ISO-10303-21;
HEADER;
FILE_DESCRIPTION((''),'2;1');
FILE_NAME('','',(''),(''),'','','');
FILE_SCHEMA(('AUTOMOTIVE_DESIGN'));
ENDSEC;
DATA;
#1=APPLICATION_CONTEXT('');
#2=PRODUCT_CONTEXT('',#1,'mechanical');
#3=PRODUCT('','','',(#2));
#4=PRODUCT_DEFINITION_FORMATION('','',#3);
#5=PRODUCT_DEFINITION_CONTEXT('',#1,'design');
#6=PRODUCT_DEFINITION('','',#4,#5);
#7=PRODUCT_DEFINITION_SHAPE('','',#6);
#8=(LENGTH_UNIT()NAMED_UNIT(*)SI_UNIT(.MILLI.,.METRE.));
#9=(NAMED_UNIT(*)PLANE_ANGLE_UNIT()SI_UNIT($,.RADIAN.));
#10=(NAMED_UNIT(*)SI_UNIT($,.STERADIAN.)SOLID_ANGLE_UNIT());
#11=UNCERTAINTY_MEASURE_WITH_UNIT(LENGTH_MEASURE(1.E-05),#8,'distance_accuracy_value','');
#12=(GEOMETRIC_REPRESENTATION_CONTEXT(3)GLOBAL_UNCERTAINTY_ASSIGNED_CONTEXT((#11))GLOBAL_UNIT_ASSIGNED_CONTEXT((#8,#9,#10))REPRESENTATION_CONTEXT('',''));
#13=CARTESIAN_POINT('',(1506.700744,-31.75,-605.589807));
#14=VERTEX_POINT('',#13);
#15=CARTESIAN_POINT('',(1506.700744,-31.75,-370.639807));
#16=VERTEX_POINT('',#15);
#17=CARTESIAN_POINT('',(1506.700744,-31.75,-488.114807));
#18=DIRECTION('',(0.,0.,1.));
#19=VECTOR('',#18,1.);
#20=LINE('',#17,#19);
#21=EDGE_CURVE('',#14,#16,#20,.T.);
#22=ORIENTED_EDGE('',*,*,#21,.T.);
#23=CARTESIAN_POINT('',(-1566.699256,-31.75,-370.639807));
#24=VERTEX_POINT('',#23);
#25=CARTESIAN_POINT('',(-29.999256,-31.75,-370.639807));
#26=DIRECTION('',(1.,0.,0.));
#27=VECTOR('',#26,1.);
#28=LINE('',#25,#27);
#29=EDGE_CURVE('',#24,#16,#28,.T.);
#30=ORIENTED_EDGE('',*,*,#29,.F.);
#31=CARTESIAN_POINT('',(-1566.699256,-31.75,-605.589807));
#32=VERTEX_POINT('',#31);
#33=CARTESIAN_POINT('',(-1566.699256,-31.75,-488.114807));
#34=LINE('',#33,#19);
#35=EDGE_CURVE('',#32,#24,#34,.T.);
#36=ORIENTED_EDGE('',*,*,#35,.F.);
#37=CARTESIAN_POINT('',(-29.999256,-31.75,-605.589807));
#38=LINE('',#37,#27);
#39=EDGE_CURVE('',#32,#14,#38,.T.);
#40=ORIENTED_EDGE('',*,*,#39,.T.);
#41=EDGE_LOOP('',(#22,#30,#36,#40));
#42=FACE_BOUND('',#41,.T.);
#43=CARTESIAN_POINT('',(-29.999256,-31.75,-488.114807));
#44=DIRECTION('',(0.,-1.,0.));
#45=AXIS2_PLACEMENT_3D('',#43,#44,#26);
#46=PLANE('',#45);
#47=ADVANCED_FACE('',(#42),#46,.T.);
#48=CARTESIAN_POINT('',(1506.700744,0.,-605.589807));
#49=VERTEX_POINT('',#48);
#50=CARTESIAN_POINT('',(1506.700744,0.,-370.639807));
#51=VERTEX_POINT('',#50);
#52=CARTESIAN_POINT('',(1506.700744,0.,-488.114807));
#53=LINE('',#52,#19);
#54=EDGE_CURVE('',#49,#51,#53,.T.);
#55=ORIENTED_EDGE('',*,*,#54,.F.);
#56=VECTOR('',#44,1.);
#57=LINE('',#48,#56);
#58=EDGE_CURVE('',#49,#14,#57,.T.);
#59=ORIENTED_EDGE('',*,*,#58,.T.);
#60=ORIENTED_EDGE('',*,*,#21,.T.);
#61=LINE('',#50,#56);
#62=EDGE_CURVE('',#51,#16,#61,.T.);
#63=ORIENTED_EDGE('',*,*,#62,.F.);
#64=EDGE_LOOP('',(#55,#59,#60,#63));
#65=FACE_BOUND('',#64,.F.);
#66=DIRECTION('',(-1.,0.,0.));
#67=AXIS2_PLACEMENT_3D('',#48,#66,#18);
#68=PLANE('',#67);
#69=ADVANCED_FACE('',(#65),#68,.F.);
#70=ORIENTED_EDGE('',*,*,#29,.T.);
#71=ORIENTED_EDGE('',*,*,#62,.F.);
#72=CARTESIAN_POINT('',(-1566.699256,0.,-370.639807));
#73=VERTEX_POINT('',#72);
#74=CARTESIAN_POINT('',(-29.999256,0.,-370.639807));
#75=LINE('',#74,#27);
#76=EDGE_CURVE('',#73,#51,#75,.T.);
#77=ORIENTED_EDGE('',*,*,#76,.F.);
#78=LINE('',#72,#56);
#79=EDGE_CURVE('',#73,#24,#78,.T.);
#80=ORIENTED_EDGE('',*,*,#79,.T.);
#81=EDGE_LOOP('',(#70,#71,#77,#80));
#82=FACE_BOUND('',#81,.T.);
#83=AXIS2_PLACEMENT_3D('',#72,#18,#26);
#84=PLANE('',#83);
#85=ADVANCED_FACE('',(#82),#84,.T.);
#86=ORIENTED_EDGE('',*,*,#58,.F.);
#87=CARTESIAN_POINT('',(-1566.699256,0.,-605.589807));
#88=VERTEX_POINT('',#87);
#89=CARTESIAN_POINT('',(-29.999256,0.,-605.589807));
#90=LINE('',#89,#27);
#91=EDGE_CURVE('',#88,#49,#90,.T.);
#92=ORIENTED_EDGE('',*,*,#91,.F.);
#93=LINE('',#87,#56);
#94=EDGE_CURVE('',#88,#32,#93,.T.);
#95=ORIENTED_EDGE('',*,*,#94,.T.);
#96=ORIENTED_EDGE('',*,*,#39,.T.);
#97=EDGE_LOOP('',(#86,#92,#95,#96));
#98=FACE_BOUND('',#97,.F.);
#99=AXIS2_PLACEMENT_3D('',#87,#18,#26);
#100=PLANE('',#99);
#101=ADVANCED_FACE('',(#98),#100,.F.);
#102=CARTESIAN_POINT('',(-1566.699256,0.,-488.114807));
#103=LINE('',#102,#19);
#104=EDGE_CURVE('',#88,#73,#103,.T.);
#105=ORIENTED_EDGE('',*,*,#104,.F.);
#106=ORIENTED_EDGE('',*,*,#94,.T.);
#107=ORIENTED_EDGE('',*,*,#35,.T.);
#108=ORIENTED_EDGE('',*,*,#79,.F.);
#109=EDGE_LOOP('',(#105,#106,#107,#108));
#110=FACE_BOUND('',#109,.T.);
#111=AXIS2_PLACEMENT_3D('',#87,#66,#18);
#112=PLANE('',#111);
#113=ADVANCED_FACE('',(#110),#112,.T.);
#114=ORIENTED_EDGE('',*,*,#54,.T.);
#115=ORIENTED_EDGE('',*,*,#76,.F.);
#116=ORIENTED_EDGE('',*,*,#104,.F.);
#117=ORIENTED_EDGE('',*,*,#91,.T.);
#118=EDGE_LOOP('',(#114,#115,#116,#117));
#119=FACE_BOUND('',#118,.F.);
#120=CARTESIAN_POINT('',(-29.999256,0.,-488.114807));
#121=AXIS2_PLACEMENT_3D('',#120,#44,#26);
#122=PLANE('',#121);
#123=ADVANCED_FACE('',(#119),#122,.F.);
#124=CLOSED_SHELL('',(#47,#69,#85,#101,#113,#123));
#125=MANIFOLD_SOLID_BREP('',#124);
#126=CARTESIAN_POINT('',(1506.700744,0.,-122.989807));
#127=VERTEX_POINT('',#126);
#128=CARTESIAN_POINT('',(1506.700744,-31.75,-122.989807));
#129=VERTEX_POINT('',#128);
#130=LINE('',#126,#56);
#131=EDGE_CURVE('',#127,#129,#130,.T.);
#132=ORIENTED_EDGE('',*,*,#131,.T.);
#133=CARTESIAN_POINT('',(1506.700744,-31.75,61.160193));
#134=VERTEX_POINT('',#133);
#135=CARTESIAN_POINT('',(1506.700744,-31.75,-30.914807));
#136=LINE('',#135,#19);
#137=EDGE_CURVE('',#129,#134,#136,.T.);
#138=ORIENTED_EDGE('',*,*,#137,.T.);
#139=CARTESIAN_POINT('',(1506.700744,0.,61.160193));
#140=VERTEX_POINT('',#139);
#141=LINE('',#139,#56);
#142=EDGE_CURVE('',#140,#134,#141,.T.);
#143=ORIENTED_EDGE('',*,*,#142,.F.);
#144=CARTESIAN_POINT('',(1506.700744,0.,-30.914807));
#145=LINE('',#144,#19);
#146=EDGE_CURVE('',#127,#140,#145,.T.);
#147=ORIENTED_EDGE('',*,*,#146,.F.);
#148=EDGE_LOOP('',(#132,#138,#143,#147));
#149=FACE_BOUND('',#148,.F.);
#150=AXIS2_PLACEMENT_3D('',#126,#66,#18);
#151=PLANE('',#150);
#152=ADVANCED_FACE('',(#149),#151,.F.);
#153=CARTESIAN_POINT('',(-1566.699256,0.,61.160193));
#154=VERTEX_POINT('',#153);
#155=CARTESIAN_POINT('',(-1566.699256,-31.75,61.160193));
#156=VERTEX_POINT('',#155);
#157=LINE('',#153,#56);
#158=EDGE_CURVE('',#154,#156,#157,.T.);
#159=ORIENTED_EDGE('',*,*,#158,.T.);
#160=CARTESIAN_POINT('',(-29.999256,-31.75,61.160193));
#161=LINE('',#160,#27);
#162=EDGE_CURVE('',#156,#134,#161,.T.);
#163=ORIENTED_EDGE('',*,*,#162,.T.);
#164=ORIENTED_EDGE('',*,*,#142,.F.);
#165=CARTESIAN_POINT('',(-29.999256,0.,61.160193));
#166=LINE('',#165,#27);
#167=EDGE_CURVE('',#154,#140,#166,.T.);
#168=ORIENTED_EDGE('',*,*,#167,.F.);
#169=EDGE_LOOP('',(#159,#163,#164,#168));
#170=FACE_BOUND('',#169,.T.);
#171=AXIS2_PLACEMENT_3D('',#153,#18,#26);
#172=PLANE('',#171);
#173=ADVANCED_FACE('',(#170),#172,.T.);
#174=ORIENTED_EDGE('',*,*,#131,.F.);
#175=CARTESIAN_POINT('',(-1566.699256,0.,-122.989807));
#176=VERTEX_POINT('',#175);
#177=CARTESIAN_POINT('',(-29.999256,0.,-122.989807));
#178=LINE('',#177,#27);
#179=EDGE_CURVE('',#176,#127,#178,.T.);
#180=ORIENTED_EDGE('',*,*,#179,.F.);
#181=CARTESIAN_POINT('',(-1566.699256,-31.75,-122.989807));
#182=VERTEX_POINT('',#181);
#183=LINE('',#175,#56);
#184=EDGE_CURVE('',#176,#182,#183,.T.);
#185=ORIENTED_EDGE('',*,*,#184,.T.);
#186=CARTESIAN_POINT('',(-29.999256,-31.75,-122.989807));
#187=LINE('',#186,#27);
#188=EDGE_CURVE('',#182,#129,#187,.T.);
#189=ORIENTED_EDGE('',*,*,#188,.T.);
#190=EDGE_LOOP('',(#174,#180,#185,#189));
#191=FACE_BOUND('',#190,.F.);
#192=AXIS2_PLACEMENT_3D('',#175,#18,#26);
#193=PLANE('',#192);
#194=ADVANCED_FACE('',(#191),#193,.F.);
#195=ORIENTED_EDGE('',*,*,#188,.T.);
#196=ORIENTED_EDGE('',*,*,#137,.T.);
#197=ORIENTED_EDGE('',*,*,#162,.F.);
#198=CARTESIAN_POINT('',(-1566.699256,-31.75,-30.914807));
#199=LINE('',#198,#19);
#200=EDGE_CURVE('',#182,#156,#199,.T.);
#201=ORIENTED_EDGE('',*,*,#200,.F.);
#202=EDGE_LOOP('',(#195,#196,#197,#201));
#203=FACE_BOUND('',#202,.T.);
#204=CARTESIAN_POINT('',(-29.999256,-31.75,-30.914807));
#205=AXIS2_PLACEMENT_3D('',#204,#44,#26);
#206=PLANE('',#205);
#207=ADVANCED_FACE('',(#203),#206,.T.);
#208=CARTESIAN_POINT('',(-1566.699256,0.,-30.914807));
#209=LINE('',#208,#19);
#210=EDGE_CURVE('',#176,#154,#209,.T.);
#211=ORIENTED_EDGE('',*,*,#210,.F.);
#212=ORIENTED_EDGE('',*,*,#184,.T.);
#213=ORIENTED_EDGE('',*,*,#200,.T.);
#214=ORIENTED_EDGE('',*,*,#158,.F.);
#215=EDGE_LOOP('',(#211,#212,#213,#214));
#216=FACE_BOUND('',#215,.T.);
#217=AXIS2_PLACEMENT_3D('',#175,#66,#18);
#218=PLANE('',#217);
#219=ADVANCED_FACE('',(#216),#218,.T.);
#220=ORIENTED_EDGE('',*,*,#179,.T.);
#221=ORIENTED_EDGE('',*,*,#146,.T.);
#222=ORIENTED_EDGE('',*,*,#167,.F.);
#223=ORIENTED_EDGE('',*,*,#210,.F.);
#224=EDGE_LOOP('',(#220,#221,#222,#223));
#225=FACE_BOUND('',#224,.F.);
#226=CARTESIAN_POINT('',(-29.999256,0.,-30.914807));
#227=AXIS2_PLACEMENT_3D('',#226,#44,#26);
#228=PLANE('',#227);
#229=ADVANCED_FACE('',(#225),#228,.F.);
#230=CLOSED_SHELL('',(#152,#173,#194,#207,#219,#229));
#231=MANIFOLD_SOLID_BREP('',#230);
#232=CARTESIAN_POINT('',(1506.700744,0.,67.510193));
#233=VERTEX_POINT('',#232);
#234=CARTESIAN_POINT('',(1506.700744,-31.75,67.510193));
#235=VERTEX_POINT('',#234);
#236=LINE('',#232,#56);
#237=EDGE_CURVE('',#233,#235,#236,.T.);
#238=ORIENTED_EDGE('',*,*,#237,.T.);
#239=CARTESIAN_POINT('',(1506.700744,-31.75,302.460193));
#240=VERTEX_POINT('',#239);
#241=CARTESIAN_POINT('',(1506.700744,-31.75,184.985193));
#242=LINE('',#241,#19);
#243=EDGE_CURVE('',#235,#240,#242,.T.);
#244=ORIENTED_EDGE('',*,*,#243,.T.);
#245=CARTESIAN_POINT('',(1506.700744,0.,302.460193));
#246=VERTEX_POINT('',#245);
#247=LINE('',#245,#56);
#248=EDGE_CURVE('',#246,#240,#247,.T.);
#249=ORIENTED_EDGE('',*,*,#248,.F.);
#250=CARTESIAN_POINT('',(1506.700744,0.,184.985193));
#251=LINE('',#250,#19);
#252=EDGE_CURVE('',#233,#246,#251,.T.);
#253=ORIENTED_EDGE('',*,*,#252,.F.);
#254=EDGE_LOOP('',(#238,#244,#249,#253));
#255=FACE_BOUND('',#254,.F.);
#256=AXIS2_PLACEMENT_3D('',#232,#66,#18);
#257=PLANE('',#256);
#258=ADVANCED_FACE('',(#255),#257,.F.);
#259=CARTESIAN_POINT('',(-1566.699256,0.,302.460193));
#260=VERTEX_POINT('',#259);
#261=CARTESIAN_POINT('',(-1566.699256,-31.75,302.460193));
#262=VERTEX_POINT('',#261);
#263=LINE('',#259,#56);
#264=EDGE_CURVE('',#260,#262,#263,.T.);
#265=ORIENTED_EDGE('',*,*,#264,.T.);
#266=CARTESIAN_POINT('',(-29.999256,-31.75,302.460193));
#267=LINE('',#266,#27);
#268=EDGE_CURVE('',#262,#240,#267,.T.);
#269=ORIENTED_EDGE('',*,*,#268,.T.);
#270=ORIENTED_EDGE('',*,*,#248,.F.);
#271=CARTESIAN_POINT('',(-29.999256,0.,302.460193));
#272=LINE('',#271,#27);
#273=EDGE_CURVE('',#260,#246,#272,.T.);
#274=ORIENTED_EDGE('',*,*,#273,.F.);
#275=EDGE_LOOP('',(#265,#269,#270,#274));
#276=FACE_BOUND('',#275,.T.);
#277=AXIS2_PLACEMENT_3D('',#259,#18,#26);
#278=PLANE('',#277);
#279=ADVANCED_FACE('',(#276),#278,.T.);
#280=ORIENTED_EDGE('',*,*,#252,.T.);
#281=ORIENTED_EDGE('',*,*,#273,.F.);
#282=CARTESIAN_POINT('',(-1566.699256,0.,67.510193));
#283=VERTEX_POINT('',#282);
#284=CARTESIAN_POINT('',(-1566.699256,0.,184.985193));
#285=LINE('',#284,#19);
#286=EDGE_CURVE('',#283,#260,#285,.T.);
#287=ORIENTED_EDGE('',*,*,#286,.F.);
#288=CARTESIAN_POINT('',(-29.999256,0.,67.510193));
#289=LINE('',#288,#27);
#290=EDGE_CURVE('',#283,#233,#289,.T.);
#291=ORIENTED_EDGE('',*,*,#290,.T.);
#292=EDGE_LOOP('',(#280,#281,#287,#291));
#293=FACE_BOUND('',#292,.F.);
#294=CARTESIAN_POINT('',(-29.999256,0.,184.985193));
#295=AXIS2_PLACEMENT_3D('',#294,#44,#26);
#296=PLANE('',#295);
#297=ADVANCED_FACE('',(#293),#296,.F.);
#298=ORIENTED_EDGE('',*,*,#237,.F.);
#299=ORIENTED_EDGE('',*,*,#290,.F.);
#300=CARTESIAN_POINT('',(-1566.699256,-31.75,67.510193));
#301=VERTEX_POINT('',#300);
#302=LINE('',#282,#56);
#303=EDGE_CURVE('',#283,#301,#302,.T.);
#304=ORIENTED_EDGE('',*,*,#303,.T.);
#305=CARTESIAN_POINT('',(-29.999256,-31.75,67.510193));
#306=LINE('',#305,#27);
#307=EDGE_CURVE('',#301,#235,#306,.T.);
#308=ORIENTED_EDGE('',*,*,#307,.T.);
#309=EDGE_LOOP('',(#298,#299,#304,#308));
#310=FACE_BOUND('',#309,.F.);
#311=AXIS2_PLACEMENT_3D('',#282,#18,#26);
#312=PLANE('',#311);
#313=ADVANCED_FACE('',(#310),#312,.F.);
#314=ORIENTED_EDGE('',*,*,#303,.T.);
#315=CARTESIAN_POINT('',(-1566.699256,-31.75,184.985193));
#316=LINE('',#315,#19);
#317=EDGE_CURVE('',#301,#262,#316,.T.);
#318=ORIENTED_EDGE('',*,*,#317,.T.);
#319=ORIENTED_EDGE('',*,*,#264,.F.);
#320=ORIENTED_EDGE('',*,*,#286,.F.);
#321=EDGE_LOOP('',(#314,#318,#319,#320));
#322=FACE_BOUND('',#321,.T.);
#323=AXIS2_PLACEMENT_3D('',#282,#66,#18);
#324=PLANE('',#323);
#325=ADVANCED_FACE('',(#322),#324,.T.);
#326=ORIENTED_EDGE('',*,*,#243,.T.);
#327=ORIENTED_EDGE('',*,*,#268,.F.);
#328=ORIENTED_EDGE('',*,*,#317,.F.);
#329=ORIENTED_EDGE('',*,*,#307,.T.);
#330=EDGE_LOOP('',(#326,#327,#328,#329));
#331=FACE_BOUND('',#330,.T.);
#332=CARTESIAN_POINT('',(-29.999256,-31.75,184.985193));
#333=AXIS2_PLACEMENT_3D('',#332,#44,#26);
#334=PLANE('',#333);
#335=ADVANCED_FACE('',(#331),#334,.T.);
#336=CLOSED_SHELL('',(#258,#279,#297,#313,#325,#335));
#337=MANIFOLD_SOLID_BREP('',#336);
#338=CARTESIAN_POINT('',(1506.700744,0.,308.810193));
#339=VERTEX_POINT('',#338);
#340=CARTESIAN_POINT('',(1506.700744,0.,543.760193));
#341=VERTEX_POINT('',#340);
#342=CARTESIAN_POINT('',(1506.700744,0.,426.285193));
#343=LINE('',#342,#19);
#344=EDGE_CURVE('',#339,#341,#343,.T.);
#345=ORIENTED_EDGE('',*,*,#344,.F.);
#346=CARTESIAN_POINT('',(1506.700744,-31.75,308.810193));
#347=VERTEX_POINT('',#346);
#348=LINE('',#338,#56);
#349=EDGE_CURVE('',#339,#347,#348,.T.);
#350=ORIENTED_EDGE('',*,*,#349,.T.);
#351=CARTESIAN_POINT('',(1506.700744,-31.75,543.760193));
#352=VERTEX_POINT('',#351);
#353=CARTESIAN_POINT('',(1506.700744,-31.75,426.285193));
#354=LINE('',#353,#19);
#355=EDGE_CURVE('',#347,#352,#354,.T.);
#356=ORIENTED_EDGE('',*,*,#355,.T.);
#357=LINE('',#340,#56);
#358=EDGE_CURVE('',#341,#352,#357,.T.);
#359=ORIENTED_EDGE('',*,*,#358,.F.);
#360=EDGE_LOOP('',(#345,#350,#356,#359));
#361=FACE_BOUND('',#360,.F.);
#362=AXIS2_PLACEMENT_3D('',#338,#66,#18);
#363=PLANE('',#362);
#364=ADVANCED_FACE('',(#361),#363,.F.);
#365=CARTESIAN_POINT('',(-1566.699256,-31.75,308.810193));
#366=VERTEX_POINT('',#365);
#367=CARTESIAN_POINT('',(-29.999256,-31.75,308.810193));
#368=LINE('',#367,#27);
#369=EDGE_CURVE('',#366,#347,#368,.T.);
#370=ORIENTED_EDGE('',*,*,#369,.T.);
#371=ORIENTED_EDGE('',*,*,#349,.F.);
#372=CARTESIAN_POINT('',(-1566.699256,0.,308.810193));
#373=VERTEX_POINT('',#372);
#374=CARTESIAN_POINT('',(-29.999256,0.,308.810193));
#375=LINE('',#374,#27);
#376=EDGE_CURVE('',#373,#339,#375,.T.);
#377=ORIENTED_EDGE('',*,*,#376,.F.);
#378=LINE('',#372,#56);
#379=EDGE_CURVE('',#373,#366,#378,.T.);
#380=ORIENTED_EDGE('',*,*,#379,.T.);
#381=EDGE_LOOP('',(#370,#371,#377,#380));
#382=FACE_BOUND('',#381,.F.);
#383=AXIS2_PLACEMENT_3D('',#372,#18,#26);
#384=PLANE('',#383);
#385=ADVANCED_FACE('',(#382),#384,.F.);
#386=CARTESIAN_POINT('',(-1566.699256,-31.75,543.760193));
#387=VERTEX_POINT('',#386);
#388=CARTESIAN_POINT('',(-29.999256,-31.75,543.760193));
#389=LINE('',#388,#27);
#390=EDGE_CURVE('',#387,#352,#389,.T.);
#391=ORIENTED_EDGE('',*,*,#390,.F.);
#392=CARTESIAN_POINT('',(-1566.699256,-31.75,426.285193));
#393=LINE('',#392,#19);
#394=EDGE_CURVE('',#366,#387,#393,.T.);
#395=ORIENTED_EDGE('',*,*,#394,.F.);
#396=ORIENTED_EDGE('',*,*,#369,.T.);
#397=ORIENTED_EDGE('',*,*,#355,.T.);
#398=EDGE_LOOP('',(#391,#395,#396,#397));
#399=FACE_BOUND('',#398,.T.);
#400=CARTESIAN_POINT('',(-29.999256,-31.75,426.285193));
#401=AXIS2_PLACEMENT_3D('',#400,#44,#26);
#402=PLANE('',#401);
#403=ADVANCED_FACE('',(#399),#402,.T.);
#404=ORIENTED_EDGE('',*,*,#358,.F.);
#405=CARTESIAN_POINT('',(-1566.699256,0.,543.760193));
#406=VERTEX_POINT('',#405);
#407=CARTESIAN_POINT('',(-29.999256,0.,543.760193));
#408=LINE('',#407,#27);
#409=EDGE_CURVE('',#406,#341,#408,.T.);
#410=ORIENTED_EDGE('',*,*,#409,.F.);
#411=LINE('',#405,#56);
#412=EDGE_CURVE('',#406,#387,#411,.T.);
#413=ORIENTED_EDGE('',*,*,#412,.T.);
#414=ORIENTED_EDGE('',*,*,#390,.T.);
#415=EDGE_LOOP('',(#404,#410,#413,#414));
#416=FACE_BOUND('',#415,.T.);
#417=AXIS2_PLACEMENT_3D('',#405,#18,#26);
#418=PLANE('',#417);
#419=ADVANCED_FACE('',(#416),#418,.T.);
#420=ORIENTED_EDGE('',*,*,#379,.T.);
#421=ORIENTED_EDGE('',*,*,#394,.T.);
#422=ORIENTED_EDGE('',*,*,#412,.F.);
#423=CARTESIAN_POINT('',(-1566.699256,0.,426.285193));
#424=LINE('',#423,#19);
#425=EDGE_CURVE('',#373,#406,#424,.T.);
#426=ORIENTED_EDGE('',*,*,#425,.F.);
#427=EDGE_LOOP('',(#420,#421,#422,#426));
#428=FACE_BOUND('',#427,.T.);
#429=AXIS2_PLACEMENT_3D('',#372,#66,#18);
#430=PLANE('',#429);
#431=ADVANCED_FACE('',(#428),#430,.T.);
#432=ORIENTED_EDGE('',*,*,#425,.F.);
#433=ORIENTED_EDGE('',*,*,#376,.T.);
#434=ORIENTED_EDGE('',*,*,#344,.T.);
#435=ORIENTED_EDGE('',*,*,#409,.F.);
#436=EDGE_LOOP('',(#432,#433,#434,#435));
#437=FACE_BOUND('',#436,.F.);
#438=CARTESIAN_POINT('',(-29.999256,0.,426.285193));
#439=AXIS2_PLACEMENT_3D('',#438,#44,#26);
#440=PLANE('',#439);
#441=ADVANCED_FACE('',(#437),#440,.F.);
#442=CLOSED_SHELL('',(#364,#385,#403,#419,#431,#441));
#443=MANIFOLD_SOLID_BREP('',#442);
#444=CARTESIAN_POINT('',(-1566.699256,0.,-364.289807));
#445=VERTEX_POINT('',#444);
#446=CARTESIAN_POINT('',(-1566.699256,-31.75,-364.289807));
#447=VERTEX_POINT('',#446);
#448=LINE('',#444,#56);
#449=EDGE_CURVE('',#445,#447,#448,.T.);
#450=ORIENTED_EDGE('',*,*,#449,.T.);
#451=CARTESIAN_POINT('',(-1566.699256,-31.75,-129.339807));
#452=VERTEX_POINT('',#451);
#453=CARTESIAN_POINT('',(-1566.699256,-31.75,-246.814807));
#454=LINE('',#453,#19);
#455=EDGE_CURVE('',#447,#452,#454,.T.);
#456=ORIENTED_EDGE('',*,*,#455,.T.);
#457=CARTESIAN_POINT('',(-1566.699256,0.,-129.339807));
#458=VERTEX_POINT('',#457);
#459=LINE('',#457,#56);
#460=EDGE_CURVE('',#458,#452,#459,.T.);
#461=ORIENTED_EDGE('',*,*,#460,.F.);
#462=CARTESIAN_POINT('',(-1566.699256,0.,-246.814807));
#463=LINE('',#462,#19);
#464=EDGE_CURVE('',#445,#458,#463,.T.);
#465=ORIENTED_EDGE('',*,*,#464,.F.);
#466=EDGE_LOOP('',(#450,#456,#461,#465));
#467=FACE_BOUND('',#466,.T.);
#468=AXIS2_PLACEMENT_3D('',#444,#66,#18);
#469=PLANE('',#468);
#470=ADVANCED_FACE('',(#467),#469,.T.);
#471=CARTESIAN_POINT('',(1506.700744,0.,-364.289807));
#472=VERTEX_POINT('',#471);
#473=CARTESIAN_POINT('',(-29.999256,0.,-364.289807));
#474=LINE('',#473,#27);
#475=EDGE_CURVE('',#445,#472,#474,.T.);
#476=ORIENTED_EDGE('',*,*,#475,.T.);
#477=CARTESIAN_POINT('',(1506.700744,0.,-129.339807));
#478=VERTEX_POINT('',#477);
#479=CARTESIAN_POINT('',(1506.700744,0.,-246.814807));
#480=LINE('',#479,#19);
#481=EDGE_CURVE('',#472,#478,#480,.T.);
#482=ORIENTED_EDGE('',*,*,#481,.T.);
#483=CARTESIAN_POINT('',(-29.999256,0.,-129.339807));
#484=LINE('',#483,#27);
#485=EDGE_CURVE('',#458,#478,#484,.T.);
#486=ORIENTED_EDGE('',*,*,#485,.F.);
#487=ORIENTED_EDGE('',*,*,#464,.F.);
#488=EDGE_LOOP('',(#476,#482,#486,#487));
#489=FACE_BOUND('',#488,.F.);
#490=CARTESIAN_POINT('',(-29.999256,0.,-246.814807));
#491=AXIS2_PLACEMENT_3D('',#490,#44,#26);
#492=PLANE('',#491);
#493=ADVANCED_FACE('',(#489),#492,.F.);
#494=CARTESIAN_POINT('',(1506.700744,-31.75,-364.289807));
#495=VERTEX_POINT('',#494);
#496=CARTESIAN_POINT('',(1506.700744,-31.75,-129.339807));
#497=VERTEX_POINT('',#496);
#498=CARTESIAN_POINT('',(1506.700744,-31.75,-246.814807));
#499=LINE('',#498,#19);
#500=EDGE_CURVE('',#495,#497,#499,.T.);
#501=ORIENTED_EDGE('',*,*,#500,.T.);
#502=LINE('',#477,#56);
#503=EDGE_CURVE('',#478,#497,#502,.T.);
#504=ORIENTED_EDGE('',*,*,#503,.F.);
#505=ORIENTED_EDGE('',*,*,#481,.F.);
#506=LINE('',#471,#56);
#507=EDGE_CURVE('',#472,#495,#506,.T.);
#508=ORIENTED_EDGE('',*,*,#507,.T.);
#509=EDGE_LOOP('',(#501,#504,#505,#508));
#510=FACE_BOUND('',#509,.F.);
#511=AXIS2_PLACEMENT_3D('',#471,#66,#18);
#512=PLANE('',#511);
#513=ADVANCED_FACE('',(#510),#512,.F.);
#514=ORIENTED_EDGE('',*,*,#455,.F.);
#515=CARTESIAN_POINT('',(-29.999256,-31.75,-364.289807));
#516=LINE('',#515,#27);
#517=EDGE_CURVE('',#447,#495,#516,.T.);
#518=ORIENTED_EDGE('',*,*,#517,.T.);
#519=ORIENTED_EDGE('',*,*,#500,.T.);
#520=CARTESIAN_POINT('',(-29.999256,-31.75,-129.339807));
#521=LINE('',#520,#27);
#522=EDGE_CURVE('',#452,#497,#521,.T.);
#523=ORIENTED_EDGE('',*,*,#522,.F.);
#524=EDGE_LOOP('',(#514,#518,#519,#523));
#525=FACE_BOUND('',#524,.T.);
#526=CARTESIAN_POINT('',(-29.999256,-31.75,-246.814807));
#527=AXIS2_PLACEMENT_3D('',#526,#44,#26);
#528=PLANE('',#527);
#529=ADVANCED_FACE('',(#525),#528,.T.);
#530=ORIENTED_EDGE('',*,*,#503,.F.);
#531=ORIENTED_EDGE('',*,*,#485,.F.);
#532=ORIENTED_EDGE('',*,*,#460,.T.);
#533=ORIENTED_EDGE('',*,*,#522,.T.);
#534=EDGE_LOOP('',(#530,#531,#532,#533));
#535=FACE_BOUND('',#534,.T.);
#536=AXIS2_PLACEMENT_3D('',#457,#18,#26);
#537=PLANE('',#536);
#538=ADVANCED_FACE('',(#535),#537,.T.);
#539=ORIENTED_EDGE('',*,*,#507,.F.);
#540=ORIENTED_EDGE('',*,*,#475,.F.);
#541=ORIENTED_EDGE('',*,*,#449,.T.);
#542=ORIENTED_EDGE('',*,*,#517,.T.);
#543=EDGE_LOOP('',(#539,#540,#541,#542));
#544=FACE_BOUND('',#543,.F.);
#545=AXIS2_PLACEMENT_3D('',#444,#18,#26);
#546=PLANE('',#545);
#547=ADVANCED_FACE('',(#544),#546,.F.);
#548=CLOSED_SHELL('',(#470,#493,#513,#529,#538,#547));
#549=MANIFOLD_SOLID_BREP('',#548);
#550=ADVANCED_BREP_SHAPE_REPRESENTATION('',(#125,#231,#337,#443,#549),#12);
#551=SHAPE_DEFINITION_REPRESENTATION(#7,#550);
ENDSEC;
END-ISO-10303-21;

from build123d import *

# Parameters (mm, degrees)
F0_W     = 3073.4
F0_H     = 184.15
F0_H_2   = 234.95
F1_DEPTH = 31.75


with BuildPart() as f1:
    # F0 (on Front) → F1 (new body)
    with BuildSketch(Plane.XZ):
        with Locations((-29.999256, -30.914807)):
            Rectangle(F0_W, F0_H)
        with Locations((-29.999256, -246.814807)):
            Rectangle(F0_W, F0_H_2)
        with Locations((-29.999256, -488.114807)):
            Rectangle(F0_W, F0_H_2)
        with Locations((-29.999256, 184.985193)):
            Rectangle(F0_W, F0_H_2)
        with Locations((-29.999256, 426.285193)):
            Rectangle(F0_W, F0_H_2)
    extrude(amount=F1_DEPTH)


solid = f1.part
